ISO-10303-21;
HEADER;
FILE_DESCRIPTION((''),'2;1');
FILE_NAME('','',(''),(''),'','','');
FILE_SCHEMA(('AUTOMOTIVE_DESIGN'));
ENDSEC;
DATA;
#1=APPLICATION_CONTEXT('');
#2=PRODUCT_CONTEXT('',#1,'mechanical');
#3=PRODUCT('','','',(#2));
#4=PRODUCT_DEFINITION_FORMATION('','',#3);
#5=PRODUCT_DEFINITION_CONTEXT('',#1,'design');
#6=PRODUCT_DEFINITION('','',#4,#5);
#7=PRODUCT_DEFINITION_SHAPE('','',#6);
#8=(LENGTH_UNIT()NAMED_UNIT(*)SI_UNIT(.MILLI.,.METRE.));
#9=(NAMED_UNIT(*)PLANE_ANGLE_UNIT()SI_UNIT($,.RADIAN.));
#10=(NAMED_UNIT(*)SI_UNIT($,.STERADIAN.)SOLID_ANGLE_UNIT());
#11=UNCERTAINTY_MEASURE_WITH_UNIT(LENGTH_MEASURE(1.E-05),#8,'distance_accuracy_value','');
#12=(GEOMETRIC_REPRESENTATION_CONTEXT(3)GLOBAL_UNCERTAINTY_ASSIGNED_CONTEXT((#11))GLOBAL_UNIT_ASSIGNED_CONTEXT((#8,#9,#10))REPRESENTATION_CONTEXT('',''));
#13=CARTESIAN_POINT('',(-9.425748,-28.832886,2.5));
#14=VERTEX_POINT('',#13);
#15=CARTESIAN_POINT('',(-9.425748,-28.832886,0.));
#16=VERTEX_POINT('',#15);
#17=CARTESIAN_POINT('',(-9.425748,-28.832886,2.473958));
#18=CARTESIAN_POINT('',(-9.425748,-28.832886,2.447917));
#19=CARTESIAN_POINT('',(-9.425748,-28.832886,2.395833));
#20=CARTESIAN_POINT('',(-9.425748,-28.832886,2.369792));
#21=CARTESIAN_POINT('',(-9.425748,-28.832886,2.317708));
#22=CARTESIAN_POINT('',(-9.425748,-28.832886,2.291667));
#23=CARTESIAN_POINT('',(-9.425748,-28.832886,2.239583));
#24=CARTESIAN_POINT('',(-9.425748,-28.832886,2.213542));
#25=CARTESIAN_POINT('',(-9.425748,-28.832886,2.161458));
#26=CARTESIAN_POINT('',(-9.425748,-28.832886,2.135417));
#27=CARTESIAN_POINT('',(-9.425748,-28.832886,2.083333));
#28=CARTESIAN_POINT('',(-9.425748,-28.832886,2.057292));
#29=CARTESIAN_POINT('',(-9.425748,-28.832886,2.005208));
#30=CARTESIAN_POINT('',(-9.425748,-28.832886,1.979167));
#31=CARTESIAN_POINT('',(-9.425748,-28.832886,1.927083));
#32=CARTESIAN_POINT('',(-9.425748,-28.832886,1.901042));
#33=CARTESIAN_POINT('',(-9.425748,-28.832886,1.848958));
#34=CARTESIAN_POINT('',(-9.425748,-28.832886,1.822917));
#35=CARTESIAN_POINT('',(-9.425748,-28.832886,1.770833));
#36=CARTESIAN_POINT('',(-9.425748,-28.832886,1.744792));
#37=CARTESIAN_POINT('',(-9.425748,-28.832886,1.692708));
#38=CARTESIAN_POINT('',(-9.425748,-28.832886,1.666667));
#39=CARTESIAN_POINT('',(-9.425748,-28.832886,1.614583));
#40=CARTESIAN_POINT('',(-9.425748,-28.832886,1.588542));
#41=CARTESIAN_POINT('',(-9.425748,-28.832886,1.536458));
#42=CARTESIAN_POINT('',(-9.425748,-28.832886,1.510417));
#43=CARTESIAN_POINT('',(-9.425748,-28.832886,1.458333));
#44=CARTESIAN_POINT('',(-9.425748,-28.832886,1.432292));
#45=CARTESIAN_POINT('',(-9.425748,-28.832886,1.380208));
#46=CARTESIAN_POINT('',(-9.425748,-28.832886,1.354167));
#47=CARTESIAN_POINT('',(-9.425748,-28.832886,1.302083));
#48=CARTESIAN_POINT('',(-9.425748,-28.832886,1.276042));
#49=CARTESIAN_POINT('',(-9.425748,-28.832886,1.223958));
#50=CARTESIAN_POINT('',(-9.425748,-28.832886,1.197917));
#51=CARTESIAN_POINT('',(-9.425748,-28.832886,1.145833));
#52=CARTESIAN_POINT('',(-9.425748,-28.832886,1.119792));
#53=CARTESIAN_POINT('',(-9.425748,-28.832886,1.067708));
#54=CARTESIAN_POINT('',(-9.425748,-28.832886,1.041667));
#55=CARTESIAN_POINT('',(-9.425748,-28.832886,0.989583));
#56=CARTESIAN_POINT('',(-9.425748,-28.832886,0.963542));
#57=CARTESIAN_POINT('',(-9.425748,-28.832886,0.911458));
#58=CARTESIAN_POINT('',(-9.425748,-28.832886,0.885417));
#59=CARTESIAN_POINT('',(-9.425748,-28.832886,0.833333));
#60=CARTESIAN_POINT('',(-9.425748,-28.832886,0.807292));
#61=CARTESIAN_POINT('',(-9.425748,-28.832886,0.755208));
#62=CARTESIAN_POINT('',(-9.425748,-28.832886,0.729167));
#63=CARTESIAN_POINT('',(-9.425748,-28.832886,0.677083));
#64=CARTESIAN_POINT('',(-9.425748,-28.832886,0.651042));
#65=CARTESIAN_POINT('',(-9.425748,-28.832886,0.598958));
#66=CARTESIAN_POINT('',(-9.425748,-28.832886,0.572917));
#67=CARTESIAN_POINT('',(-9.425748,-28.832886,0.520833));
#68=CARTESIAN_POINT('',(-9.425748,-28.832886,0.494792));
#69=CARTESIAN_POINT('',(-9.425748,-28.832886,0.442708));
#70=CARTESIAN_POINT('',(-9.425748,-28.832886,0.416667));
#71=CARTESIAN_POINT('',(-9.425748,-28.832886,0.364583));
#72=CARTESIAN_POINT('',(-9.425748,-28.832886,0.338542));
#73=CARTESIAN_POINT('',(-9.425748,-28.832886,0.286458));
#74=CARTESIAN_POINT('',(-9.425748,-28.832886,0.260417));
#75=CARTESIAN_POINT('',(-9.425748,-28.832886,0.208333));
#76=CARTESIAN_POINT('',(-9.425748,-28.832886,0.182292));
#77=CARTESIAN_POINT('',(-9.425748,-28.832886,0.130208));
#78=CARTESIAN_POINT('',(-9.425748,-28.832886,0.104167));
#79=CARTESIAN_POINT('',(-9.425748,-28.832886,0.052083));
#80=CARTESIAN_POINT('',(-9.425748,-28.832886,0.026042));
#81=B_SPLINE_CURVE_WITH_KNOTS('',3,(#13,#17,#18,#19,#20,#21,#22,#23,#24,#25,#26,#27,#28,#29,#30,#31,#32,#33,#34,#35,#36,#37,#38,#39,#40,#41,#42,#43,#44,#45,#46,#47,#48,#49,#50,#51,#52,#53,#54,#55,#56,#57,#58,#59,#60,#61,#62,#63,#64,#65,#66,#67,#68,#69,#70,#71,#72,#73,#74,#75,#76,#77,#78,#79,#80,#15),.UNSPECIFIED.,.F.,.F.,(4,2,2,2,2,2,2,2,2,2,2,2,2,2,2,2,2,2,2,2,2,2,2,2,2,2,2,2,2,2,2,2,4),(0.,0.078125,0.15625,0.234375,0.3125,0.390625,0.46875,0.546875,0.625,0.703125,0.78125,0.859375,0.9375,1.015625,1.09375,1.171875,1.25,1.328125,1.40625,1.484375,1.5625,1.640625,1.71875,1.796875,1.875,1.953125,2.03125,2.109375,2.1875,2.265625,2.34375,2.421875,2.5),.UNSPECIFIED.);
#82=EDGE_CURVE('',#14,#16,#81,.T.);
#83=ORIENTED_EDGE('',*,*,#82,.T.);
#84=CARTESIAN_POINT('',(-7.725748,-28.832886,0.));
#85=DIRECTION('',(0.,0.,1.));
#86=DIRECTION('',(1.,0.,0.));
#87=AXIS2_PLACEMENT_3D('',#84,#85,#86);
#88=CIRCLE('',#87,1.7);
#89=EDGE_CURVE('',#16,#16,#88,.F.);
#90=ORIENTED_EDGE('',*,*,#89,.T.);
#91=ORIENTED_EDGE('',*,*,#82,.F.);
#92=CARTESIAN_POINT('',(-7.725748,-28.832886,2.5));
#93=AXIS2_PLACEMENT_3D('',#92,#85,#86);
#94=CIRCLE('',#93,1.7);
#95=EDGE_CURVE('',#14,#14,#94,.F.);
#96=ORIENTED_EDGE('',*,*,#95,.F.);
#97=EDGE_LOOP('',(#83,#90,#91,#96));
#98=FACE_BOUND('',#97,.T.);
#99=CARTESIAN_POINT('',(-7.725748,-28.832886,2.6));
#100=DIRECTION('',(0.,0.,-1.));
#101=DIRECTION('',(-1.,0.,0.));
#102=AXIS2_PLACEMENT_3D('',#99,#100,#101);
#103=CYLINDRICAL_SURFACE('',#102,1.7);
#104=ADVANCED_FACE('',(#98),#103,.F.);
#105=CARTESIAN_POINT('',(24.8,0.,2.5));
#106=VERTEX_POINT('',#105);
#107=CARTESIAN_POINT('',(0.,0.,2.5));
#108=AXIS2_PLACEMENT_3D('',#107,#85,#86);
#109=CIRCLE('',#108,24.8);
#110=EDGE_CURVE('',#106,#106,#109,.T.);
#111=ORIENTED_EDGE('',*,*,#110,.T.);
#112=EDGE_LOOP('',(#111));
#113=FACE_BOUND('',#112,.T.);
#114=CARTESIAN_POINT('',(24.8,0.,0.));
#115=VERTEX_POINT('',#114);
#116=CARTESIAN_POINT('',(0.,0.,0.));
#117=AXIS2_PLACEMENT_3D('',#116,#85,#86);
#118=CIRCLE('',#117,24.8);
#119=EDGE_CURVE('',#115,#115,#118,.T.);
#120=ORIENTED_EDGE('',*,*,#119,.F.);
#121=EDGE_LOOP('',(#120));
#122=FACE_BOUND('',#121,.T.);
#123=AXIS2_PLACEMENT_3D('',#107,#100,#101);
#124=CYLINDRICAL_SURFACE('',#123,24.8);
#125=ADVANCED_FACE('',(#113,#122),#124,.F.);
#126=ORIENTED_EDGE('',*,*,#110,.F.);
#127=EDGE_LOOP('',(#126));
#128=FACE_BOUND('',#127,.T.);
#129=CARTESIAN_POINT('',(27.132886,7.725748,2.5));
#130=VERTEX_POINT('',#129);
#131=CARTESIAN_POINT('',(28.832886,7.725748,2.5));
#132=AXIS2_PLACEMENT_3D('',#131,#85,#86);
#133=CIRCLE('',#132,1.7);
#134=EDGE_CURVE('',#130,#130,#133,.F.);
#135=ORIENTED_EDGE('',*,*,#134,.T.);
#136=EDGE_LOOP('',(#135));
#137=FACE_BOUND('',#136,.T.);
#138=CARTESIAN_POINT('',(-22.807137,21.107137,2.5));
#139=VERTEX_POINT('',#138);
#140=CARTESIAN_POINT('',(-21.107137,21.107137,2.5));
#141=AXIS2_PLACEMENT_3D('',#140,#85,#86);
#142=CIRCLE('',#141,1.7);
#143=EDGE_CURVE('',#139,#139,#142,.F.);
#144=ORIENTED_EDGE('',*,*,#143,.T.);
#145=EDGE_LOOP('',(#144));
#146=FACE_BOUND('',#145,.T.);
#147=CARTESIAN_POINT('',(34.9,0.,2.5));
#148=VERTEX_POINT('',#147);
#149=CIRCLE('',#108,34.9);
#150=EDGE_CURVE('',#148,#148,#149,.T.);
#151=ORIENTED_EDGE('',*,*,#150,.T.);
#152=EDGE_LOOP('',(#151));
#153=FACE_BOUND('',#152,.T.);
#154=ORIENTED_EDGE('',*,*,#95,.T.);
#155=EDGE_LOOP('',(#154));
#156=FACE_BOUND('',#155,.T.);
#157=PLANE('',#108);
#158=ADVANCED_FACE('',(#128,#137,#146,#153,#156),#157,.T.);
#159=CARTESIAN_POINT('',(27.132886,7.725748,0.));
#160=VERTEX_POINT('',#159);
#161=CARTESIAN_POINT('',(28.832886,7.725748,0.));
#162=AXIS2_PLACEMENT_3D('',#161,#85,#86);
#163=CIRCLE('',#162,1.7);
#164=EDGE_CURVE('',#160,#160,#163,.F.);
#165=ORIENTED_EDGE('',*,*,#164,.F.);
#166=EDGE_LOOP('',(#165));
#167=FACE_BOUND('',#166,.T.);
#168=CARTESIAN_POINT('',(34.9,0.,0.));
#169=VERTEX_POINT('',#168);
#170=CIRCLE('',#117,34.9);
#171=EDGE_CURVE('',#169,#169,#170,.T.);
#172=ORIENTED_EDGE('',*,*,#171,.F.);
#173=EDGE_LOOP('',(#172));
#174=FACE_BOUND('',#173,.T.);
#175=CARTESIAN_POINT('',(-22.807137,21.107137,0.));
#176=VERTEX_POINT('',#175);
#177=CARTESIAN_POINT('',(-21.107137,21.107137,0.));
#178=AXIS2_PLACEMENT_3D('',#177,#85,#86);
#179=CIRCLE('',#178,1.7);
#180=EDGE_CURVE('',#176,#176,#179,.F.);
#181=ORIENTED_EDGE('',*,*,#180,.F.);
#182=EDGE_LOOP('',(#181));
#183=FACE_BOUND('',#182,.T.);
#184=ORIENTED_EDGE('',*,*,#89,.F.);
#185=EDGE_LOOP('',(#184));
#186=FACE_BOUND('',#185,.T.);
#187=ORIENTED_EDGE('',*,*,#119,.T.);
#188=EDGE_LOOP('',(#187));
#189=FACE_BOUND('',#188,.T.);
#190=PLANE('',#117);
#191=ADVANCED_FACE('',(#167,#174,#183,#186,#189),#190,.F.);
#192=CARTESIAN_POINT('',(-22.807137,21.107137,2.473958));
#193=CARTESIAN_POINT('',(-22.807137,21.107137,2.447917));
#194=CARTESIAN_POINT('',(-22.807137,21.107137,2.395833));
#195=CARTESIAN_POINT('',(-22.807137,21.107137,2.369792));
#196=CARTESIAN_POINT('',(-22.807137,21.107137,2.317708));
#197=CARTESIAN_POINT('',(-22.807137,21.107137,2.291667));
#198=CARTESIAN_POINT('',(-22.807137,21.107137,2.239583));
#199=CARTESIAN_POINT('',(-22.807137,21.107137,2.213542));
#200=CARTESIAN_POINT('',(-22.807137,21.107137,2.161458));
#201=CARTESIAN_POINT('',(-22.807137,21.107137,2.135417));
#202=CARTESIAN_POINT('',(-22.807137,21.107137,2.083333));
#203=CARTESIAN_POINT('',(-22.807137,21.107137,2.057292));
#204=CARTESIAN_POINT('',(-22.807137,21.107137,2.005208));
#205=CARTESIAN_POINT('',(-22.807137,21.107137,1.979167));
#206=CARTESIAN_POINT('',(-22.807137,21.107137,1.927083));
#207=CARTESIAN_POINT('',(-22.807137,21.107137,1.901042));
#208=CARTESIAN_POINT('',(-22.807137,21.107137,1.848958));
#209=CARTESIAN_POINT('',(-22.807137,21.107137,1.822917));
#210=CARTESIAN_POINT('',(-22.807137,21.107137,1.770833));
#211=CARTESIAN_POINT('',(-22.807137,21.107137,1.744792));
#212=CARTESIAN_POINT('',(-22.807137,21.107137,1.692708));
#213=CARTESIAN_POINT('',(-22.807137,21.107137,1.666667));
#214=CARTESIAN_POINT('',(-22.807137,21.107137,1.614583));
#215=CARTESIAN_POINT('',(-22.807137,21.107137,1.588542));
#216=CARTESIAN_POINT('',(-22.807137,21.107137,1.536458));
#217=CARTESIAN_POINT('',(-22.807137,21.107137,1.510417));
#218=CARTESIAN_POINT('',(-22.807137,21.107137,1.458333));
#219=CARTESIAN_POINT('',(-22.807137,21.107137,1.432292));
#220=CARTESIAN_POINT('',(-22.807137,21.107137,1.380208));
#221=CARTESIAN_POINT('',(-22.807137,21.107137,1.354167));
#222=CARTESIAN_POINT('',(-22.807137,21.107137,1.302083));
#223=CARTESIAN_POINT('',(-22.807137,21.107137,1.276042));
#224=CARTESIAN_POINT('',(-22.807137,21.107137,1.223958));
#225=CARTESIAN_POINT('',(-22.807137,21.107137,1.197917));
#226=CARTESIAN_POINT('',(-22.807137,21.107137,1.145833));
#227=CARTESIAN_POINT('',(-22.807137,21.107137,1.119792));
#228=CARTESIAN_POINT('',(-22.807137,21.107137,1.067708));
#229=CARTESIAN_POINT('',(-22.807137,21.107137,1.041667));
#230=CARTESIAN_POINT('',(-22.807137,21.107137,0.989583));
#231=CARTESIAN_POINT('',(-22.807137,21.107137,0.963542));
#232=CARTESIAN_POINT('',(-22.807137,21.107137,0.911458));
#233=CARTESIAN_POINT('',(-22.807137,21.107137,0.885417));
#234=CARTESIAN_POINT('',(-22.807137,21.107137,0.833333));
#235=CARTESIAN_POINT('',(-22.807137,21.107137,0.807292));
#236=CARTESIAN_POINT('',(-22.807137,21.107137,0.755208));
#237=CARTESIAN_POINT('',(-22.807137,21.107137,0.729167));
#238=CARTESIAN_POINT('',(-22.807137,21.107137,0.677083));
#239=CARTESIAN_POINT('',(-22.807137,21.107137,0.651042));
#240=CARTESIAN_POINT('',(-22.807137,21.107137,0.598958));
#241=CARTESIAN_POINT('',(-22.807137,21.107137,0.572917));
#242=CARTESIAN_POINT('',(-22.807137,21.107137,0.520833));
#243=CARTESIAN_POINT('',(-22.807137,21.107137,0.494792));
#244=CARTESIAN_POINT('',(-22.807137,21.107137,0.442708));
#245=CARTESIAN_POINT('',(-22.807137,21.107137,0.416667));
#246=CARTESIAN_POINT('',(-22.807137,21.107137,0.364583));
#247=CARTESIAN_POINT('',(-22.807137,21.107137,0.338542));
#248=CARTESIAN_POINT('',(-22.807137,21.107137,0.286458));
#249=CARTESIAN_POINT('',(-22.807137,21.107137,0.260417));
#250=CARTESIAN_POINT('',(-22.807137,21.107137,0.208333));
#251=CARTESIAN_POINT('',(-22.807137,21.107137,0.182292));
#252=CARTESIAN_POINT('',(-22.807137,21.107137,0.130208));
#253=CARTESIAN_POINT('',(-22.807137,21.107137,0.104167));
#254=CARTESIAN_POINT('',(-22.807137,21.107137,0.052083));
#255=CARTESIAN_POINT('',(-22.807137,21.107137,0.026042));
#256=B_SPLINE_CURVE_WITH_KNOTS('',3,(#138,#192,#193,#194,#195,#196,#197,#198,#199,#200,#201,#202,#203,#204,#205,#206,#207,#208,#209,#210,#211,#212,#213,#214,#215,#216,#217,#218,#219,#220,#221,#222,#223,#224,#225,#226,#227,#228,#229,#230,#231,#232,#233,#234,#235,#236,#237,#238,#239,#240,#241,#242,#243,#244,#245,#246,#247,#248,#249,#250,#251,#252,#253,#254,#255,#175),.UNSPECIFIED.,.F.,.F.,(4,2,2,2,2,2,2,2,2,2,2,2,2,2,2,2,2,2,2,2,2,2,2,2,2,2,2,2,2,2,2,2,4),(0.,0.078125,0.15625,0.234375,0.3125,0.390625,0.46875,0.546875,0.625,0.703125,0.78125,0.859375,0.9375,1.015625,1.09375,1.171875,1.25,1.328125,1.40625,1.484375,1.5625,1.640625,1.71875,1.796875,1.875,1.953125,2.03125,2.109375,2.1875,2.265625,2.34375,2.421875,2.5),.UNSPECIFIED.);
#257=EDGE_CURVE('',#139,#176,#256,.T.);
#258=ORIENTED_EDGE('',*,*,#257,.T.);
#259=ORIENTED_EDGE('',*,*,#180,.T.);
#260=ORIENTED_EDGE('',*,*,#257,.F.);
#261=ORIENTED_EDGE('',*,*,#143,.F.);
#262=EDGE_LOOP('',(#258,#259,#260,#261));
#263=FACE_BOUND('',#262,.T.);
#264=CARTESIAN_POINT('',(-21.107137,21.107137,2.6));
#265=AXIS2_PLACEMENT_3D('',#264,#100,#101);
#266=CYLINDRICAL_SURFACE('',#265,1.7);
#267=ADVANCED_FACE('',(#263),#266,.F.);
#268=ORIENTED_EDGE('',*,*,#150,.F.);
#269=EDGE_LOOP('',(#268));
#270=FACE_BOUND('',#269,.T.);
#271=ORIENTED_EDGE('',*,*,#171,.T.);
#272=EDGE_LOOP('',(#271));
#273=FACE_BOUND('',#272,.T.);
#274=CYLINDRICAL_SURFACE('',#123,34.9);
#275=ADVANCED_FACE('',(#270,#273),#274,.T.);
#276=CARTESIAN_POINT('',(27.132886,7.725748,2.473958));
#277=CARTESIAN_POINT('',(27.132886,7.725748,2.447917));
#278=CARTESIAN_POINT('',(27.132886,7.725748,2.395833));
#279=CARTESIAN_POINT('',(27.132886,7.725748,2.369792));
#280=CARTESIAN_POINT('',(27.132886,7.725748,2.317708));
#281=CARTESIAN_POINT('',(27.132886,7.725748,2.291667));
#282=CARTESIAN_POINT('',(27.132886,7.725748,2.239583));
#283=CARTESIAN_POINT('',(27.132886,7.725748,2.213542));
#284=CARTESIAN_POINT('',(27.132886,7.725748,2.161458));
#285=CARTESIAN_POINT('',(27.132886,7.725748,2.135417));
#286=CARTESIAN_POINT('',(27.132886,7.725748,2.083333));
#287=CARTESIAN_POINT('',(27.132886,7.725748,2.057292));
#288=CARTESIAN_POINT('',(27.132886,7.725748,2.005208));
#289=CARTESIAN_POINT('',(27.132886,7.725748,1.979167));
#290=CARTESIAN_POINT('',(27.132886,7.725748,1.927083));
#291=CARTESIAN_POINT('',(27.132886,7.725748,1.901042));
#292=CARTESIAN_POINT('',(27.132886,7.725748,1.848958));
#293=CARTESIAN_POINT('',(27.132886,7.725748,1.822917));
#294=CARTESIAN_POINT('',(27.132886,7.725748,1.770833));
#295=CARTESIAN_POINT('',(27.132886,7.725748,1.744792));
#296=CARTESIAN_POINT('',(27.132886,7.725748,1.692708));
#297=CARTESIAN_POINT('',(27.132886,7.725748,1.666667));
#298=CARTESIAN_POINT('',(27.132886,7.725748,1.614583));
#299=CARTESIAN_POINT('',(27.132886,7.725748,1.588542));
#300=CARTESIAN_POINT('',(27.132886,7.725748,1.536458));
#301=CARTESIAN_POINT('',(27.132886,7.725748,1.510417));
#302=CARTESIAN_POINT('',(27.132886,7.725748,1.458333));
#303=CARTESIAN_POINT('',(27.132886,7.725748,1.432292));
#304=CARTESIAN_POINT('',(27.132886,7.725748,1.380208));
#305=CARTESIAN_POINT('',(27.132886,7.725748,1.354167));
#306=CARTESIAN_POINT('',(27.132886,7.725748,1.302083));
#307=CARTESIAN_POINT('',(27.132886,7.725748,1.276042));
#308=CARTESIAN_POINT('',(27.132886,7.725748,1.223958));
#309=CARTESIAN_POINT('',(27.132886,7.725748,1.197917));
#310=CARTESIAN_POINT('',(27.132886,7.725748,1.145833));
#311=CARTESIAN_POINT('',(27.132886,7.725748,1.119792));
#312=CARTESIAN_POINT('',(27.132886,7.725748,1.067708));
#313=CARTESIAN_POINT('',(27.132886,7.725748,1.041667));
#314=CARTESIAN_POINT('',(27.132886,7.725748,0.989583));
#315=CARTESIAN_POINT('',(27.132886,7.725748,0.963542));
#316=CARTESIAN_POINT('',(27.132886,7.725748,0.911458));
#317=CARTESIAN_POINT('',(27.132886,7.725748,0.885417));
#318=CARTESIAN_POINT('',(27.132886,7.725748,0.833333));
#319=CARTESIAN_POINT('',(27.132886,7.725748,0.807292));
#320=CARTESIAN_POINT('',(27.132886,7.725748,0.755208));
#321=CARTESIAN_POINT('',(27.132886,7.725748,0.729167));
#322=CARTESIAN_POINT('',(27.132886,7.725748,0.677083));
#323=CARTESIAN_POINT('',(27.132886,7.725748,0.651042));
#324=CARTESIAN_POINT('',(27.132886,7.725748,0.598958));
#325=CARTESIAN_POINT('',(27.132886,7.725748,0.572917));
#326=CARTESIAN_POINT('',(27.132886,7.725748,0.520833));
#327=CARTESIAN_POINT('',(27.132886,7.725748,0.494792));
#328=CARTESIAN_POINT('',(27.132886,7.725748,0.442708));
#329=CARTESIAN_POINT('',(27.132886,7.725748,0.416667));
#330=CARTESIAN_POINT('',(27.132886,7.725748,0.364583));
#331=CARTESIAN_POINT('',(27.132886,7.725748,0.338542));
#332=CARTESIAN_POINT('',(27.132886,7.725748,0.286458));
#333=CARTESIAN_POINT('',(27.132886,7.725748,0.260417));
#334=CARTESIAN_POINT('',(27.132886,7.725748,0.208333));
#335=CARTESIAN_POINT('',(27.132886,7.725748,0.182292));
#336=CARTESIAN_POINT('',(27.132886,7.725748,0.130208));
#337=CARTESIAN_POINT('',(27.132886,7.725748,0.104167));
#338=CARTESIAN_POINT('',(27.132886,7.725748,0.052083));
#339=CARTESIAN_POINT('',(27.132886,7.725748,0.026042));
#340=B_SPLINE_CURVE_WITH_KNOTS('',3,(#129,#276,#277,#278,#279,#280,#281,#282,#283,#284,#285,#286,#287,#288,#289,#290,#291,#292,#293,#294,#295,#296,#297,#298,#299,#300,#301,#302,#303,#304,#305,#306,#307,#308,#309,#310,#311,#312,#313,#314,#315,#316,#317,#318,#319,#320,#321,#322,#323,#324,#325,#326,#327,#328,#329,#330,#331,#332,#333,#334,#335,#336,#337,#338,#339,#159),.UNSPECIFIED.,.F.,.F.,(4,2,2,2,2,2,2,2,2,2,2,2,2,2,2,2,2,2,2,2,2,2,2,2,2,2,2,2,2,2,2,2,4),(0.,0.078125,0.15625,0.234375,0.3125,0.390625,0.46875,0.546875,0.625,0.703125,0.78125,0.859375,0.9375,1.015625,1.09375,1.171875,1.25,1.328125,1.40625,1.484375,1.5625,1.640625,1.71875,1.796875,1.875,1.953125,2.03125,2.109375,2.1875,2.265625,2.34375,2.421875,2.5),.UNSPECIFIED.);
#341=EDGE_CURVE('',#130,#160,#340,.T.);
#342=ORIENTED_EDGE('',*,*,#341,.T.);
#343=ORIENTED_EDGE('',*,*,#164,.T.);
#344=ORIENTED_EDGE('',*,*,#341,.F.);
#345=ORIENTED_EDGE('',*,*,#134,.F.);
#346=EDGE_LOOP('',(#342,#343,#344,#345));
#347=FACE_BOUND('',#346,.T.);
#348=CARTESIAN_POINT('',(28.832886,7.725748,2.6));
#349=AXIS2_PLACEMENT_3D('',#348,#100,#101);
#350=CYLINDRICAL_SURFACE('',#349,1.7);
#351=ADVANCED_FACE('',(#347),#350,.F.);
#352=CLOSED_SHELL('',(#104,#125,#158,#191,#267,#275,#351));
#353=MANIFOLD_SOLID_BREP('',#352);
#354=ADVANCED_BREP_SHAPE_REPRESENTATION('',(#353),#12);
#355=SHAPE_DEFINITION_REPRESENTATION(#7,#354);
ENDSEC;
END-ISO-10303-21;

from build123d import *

# Parameters (mm, degrees)
S01_TPU_BEAD_AND_BEARING_OUTER_RACE_KE_R       = 34.9
S01_TPU_BEAD_AND_BEARING_OUTER_RACE_KE_R_2     = 24.8
F_01_TPU_BEAD_AND_BEARING_OUTER_RACE_KEE_DEPTH = 2.5
F_02_START                                     = -0.1
S02_FLANGE_SCREW_CLEARANCE_R                   = 1.7
F_02_FLANGE_SCREW_CLEARANCE_DEPTH              = 2.7


with BuildPart() as part:
    # S01 - TPU bead and bearing outer-race keeper → 01 - TPU bead and bearing outer-race keeper (new body)
    with BuildSketch(Plane.XY):
        Circle(S01_TPU_BEAD_AND_BEARING_OUTER_RACE_KE_R)
        Circle(S01_TPU_BEAD_AND_BEARING_OUTER_RACE_KE_R_2, mode=Mode.SUBTRACT)
    extrude(amount=F_01_TPU_BEAD_AND_BEARING_OUTER_RACE_KEE_DEPTH)

    # S02 - Flange screw clearance → 02 - Flange screw clearance (cut)
    with BuildSketch(Plane.XY.offset(F_02_START)):
        with Locations(Location((28.832885915, 7.725748496, 0), (0, 0, 180))):
            Circle(S02_FLANGE_SCREW_CLEARANCE_R)
        with Locations(Location((-21.107137418, 21.107137418, 0), (0, 0, 180))):
            Circle(S02_FLANGE_SCREW_CLEARANCE_R)
        with Locations(Location((-7.725748496, -28.832885915, 0), (0, 0, 180))):
            Circle(S02_FLANGE_SCREW_CLEARANCE_R)
    extrude(amount=F_02_FLANGE_SCREW_CLEARANCE_DEPTH, mode=Mode.SUBTRACT)


solid = part.part
